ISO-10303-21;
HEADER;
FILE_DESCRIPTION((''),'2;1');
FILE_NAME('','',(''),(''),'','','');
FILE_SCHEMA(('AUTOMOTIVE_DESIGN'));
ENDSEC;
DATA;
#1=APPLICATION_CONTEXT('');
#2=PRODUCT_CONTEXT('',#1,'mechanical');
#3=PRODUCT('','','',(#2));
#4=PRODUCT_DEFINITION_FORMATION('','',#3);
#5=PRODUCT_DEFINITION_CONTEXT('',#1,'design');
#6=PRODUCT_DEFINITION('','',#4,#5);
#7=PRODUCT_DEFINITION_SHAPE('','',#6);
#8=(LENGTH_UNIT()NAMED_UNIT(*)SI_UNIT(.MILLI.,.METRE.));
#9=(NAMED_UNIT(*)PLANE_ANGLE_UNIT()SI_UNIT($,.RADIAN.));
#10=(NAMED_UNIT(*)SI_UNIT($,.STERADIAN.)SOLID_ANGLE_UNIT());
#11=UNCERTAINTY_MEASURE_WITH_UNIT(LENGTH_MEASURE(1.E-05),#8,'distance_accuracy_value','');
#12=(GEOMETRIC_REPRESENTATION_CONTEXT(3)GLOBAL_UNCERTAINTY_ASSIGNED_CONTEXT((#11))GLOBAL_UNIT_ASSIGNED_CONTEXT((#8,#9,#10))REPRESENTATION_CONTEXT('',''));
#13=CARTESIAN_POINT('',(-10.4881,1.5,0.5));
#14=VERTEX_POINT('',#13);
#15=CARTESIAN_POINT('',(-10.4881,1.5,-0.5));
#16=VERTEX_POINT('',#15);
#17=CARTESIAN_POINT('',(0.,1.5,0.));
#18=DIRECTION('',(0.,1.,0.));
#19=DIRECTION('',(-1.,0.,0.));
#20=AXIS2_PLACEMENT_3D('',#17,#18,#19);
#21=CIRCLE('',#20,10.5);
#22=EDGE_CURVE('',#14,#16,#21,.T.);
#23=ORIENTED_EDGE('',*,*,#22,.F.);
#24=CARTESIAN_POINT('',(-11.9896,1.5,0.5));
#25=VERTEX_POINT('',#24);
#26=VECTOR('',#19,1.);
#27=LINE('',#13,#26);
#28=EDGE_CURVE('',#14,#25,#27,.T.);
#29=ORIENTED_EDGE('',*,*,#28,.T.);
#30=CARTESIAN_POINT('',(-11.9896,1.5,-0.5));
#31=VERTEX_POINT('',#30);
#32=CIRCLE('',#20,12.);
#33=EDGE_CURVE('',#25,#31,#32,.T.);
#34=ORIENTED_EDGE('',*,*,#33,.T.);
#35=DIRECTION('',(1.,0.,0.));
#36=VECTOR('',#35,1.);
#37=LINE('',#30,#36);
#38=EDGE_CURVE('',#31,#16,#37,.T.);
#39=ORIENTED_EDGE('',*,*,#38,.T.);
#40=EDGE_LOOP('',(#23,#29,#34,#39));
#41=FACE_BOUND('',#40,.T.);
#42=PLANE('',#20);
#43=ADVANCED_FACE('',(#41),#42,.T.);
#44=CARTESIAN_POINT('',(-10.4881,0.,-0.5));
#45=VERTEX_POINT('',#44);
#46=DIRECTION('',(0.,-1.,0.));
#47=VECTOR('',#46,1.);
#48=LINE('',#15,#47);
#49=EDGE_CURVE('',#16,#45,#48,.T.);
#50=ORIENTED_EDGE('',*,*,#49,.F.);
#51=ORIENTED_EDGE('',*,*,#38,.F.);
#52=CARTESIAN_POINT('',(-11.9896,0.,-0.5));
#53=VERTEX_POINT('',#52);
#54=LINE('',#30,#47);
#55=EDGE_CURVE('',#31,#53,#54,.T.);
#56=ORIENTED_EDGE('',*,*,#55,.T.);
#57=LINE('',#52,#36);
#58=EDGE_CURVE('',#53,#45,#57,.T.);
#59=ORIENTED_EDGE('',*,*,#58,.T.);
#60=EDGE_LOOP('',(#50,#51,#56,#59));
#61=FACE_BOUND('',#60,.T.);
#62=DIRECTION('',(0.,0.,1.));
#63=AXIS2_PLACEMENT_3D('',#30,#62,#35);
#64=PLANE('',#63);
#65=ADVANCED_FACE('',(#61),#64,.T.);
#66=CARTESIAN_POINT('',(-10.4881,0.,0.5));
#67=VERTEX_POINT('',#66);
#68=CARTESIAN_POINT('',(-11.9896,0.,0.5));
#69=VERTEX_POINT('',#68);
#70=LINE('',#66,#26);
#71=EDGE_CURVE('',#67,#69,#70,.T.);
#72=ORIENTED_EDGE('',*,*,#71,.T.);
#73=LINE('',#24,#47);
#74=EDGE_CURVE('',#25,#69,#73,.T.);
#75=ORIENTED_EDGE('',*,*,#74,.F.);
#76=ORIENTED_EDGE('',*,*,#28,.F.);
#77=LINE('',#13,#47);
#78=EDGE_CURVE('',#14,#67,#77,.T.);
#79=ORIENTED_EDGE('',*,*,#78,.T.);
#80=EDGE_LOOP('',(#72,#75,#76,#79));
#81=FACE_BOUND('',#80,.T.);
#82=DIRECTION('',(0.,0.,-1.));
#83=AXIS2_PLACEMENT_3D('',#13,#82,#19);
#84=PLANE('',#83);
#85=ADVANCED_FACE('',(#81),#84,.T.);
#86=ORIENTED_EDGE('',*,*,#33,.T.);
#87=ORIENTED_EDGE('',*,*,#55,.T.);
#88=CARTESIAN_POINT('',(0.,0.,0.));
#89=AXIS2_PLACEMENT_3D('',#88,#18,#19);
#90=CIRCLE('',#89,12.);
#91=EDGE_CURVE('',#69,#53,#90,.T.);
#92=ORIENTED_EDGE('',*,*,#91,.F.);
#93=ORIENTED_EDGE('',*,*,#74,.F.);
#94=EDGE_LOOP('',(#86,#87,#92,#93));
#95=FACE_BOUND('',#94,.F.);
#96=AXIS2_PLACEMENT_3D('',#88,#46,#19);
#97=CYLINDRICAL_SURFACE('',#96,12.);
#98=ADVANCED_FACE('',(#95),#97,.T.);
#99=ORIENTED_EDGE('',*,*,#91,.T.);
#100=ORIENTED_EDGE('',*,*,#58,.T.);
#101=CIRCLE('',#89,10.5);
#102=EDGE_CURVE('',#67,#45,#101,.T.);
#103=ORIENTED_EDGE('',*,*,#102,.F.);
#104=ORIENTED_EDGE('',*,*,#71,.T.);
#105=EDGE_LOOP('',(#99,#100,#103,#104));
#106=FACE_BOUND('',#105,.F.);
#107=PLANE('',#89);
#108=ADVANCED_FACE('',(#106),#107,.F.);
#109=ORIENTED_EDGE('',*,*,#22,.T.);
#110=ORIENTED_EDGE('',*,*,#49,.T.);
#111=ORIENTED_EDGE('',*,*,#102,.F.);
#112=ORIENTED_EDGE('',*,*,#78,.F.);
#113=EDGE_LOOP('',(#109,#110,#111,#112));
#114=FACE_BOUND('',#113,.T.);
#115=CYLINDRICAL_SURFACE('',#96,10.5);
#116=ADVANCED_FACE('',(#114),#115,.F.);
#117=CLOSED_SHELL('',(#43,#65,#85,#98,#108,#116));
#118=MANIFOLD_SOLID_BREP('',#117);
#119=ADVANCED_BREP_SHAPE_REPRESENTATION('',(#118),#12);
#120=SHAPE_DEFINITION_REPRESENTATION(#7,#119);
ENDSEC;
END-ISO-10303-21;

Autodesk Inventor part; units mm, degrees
ref_plane "YZ Plane" through (0, 0, 0) normal (1, 0, 0) x (0, 1, 0)
ref_plane "XZ Plane" through (0, 0, 0) normal (0, 1, 0) x (-1, 0, 0)
ref_plane "XY Plane" through (0, 0, 0) normal (0, 0, 1) x (1, 0, 0)
sketch "Skizze1" plane through (0, 0, 0) normal (0, 1, 0) x (-1, 0, 0)
  circle A0 centre (0, 0) radius 10.5
  circle A1 centre (0, 0) radius 12
  dimension "d0" = 21
  dimension "d1" = 24
extrude "Extrusion1" add sketch "Skizze1" along normal blind 1.5
sketch "Skizze2" plane through (0, 1.5, 0) normal (0, 1, 0) x (1, 0, 0)
  circle A0 centre (0, 0) radius 12 projected
  circle A1 centre (0, 0) radius 10.5 projected
  line L0 (-10.4881, -0.5) -> (-11.9896, -0.5)
  line L1 (-11.9896, 0.5) -> (-10.4881, 0.5)
  line L2 (0, 0) -> (-4.204, 0) construction
  dimension "d4" = 1
extrude "Extrusion2" cut sketch "Skizze2" against normal up to surface (1.5 mm away) contours L1 A1 L0 A0 picked at (-10.9921, -0.3889)
properties part number "kolbenring"
